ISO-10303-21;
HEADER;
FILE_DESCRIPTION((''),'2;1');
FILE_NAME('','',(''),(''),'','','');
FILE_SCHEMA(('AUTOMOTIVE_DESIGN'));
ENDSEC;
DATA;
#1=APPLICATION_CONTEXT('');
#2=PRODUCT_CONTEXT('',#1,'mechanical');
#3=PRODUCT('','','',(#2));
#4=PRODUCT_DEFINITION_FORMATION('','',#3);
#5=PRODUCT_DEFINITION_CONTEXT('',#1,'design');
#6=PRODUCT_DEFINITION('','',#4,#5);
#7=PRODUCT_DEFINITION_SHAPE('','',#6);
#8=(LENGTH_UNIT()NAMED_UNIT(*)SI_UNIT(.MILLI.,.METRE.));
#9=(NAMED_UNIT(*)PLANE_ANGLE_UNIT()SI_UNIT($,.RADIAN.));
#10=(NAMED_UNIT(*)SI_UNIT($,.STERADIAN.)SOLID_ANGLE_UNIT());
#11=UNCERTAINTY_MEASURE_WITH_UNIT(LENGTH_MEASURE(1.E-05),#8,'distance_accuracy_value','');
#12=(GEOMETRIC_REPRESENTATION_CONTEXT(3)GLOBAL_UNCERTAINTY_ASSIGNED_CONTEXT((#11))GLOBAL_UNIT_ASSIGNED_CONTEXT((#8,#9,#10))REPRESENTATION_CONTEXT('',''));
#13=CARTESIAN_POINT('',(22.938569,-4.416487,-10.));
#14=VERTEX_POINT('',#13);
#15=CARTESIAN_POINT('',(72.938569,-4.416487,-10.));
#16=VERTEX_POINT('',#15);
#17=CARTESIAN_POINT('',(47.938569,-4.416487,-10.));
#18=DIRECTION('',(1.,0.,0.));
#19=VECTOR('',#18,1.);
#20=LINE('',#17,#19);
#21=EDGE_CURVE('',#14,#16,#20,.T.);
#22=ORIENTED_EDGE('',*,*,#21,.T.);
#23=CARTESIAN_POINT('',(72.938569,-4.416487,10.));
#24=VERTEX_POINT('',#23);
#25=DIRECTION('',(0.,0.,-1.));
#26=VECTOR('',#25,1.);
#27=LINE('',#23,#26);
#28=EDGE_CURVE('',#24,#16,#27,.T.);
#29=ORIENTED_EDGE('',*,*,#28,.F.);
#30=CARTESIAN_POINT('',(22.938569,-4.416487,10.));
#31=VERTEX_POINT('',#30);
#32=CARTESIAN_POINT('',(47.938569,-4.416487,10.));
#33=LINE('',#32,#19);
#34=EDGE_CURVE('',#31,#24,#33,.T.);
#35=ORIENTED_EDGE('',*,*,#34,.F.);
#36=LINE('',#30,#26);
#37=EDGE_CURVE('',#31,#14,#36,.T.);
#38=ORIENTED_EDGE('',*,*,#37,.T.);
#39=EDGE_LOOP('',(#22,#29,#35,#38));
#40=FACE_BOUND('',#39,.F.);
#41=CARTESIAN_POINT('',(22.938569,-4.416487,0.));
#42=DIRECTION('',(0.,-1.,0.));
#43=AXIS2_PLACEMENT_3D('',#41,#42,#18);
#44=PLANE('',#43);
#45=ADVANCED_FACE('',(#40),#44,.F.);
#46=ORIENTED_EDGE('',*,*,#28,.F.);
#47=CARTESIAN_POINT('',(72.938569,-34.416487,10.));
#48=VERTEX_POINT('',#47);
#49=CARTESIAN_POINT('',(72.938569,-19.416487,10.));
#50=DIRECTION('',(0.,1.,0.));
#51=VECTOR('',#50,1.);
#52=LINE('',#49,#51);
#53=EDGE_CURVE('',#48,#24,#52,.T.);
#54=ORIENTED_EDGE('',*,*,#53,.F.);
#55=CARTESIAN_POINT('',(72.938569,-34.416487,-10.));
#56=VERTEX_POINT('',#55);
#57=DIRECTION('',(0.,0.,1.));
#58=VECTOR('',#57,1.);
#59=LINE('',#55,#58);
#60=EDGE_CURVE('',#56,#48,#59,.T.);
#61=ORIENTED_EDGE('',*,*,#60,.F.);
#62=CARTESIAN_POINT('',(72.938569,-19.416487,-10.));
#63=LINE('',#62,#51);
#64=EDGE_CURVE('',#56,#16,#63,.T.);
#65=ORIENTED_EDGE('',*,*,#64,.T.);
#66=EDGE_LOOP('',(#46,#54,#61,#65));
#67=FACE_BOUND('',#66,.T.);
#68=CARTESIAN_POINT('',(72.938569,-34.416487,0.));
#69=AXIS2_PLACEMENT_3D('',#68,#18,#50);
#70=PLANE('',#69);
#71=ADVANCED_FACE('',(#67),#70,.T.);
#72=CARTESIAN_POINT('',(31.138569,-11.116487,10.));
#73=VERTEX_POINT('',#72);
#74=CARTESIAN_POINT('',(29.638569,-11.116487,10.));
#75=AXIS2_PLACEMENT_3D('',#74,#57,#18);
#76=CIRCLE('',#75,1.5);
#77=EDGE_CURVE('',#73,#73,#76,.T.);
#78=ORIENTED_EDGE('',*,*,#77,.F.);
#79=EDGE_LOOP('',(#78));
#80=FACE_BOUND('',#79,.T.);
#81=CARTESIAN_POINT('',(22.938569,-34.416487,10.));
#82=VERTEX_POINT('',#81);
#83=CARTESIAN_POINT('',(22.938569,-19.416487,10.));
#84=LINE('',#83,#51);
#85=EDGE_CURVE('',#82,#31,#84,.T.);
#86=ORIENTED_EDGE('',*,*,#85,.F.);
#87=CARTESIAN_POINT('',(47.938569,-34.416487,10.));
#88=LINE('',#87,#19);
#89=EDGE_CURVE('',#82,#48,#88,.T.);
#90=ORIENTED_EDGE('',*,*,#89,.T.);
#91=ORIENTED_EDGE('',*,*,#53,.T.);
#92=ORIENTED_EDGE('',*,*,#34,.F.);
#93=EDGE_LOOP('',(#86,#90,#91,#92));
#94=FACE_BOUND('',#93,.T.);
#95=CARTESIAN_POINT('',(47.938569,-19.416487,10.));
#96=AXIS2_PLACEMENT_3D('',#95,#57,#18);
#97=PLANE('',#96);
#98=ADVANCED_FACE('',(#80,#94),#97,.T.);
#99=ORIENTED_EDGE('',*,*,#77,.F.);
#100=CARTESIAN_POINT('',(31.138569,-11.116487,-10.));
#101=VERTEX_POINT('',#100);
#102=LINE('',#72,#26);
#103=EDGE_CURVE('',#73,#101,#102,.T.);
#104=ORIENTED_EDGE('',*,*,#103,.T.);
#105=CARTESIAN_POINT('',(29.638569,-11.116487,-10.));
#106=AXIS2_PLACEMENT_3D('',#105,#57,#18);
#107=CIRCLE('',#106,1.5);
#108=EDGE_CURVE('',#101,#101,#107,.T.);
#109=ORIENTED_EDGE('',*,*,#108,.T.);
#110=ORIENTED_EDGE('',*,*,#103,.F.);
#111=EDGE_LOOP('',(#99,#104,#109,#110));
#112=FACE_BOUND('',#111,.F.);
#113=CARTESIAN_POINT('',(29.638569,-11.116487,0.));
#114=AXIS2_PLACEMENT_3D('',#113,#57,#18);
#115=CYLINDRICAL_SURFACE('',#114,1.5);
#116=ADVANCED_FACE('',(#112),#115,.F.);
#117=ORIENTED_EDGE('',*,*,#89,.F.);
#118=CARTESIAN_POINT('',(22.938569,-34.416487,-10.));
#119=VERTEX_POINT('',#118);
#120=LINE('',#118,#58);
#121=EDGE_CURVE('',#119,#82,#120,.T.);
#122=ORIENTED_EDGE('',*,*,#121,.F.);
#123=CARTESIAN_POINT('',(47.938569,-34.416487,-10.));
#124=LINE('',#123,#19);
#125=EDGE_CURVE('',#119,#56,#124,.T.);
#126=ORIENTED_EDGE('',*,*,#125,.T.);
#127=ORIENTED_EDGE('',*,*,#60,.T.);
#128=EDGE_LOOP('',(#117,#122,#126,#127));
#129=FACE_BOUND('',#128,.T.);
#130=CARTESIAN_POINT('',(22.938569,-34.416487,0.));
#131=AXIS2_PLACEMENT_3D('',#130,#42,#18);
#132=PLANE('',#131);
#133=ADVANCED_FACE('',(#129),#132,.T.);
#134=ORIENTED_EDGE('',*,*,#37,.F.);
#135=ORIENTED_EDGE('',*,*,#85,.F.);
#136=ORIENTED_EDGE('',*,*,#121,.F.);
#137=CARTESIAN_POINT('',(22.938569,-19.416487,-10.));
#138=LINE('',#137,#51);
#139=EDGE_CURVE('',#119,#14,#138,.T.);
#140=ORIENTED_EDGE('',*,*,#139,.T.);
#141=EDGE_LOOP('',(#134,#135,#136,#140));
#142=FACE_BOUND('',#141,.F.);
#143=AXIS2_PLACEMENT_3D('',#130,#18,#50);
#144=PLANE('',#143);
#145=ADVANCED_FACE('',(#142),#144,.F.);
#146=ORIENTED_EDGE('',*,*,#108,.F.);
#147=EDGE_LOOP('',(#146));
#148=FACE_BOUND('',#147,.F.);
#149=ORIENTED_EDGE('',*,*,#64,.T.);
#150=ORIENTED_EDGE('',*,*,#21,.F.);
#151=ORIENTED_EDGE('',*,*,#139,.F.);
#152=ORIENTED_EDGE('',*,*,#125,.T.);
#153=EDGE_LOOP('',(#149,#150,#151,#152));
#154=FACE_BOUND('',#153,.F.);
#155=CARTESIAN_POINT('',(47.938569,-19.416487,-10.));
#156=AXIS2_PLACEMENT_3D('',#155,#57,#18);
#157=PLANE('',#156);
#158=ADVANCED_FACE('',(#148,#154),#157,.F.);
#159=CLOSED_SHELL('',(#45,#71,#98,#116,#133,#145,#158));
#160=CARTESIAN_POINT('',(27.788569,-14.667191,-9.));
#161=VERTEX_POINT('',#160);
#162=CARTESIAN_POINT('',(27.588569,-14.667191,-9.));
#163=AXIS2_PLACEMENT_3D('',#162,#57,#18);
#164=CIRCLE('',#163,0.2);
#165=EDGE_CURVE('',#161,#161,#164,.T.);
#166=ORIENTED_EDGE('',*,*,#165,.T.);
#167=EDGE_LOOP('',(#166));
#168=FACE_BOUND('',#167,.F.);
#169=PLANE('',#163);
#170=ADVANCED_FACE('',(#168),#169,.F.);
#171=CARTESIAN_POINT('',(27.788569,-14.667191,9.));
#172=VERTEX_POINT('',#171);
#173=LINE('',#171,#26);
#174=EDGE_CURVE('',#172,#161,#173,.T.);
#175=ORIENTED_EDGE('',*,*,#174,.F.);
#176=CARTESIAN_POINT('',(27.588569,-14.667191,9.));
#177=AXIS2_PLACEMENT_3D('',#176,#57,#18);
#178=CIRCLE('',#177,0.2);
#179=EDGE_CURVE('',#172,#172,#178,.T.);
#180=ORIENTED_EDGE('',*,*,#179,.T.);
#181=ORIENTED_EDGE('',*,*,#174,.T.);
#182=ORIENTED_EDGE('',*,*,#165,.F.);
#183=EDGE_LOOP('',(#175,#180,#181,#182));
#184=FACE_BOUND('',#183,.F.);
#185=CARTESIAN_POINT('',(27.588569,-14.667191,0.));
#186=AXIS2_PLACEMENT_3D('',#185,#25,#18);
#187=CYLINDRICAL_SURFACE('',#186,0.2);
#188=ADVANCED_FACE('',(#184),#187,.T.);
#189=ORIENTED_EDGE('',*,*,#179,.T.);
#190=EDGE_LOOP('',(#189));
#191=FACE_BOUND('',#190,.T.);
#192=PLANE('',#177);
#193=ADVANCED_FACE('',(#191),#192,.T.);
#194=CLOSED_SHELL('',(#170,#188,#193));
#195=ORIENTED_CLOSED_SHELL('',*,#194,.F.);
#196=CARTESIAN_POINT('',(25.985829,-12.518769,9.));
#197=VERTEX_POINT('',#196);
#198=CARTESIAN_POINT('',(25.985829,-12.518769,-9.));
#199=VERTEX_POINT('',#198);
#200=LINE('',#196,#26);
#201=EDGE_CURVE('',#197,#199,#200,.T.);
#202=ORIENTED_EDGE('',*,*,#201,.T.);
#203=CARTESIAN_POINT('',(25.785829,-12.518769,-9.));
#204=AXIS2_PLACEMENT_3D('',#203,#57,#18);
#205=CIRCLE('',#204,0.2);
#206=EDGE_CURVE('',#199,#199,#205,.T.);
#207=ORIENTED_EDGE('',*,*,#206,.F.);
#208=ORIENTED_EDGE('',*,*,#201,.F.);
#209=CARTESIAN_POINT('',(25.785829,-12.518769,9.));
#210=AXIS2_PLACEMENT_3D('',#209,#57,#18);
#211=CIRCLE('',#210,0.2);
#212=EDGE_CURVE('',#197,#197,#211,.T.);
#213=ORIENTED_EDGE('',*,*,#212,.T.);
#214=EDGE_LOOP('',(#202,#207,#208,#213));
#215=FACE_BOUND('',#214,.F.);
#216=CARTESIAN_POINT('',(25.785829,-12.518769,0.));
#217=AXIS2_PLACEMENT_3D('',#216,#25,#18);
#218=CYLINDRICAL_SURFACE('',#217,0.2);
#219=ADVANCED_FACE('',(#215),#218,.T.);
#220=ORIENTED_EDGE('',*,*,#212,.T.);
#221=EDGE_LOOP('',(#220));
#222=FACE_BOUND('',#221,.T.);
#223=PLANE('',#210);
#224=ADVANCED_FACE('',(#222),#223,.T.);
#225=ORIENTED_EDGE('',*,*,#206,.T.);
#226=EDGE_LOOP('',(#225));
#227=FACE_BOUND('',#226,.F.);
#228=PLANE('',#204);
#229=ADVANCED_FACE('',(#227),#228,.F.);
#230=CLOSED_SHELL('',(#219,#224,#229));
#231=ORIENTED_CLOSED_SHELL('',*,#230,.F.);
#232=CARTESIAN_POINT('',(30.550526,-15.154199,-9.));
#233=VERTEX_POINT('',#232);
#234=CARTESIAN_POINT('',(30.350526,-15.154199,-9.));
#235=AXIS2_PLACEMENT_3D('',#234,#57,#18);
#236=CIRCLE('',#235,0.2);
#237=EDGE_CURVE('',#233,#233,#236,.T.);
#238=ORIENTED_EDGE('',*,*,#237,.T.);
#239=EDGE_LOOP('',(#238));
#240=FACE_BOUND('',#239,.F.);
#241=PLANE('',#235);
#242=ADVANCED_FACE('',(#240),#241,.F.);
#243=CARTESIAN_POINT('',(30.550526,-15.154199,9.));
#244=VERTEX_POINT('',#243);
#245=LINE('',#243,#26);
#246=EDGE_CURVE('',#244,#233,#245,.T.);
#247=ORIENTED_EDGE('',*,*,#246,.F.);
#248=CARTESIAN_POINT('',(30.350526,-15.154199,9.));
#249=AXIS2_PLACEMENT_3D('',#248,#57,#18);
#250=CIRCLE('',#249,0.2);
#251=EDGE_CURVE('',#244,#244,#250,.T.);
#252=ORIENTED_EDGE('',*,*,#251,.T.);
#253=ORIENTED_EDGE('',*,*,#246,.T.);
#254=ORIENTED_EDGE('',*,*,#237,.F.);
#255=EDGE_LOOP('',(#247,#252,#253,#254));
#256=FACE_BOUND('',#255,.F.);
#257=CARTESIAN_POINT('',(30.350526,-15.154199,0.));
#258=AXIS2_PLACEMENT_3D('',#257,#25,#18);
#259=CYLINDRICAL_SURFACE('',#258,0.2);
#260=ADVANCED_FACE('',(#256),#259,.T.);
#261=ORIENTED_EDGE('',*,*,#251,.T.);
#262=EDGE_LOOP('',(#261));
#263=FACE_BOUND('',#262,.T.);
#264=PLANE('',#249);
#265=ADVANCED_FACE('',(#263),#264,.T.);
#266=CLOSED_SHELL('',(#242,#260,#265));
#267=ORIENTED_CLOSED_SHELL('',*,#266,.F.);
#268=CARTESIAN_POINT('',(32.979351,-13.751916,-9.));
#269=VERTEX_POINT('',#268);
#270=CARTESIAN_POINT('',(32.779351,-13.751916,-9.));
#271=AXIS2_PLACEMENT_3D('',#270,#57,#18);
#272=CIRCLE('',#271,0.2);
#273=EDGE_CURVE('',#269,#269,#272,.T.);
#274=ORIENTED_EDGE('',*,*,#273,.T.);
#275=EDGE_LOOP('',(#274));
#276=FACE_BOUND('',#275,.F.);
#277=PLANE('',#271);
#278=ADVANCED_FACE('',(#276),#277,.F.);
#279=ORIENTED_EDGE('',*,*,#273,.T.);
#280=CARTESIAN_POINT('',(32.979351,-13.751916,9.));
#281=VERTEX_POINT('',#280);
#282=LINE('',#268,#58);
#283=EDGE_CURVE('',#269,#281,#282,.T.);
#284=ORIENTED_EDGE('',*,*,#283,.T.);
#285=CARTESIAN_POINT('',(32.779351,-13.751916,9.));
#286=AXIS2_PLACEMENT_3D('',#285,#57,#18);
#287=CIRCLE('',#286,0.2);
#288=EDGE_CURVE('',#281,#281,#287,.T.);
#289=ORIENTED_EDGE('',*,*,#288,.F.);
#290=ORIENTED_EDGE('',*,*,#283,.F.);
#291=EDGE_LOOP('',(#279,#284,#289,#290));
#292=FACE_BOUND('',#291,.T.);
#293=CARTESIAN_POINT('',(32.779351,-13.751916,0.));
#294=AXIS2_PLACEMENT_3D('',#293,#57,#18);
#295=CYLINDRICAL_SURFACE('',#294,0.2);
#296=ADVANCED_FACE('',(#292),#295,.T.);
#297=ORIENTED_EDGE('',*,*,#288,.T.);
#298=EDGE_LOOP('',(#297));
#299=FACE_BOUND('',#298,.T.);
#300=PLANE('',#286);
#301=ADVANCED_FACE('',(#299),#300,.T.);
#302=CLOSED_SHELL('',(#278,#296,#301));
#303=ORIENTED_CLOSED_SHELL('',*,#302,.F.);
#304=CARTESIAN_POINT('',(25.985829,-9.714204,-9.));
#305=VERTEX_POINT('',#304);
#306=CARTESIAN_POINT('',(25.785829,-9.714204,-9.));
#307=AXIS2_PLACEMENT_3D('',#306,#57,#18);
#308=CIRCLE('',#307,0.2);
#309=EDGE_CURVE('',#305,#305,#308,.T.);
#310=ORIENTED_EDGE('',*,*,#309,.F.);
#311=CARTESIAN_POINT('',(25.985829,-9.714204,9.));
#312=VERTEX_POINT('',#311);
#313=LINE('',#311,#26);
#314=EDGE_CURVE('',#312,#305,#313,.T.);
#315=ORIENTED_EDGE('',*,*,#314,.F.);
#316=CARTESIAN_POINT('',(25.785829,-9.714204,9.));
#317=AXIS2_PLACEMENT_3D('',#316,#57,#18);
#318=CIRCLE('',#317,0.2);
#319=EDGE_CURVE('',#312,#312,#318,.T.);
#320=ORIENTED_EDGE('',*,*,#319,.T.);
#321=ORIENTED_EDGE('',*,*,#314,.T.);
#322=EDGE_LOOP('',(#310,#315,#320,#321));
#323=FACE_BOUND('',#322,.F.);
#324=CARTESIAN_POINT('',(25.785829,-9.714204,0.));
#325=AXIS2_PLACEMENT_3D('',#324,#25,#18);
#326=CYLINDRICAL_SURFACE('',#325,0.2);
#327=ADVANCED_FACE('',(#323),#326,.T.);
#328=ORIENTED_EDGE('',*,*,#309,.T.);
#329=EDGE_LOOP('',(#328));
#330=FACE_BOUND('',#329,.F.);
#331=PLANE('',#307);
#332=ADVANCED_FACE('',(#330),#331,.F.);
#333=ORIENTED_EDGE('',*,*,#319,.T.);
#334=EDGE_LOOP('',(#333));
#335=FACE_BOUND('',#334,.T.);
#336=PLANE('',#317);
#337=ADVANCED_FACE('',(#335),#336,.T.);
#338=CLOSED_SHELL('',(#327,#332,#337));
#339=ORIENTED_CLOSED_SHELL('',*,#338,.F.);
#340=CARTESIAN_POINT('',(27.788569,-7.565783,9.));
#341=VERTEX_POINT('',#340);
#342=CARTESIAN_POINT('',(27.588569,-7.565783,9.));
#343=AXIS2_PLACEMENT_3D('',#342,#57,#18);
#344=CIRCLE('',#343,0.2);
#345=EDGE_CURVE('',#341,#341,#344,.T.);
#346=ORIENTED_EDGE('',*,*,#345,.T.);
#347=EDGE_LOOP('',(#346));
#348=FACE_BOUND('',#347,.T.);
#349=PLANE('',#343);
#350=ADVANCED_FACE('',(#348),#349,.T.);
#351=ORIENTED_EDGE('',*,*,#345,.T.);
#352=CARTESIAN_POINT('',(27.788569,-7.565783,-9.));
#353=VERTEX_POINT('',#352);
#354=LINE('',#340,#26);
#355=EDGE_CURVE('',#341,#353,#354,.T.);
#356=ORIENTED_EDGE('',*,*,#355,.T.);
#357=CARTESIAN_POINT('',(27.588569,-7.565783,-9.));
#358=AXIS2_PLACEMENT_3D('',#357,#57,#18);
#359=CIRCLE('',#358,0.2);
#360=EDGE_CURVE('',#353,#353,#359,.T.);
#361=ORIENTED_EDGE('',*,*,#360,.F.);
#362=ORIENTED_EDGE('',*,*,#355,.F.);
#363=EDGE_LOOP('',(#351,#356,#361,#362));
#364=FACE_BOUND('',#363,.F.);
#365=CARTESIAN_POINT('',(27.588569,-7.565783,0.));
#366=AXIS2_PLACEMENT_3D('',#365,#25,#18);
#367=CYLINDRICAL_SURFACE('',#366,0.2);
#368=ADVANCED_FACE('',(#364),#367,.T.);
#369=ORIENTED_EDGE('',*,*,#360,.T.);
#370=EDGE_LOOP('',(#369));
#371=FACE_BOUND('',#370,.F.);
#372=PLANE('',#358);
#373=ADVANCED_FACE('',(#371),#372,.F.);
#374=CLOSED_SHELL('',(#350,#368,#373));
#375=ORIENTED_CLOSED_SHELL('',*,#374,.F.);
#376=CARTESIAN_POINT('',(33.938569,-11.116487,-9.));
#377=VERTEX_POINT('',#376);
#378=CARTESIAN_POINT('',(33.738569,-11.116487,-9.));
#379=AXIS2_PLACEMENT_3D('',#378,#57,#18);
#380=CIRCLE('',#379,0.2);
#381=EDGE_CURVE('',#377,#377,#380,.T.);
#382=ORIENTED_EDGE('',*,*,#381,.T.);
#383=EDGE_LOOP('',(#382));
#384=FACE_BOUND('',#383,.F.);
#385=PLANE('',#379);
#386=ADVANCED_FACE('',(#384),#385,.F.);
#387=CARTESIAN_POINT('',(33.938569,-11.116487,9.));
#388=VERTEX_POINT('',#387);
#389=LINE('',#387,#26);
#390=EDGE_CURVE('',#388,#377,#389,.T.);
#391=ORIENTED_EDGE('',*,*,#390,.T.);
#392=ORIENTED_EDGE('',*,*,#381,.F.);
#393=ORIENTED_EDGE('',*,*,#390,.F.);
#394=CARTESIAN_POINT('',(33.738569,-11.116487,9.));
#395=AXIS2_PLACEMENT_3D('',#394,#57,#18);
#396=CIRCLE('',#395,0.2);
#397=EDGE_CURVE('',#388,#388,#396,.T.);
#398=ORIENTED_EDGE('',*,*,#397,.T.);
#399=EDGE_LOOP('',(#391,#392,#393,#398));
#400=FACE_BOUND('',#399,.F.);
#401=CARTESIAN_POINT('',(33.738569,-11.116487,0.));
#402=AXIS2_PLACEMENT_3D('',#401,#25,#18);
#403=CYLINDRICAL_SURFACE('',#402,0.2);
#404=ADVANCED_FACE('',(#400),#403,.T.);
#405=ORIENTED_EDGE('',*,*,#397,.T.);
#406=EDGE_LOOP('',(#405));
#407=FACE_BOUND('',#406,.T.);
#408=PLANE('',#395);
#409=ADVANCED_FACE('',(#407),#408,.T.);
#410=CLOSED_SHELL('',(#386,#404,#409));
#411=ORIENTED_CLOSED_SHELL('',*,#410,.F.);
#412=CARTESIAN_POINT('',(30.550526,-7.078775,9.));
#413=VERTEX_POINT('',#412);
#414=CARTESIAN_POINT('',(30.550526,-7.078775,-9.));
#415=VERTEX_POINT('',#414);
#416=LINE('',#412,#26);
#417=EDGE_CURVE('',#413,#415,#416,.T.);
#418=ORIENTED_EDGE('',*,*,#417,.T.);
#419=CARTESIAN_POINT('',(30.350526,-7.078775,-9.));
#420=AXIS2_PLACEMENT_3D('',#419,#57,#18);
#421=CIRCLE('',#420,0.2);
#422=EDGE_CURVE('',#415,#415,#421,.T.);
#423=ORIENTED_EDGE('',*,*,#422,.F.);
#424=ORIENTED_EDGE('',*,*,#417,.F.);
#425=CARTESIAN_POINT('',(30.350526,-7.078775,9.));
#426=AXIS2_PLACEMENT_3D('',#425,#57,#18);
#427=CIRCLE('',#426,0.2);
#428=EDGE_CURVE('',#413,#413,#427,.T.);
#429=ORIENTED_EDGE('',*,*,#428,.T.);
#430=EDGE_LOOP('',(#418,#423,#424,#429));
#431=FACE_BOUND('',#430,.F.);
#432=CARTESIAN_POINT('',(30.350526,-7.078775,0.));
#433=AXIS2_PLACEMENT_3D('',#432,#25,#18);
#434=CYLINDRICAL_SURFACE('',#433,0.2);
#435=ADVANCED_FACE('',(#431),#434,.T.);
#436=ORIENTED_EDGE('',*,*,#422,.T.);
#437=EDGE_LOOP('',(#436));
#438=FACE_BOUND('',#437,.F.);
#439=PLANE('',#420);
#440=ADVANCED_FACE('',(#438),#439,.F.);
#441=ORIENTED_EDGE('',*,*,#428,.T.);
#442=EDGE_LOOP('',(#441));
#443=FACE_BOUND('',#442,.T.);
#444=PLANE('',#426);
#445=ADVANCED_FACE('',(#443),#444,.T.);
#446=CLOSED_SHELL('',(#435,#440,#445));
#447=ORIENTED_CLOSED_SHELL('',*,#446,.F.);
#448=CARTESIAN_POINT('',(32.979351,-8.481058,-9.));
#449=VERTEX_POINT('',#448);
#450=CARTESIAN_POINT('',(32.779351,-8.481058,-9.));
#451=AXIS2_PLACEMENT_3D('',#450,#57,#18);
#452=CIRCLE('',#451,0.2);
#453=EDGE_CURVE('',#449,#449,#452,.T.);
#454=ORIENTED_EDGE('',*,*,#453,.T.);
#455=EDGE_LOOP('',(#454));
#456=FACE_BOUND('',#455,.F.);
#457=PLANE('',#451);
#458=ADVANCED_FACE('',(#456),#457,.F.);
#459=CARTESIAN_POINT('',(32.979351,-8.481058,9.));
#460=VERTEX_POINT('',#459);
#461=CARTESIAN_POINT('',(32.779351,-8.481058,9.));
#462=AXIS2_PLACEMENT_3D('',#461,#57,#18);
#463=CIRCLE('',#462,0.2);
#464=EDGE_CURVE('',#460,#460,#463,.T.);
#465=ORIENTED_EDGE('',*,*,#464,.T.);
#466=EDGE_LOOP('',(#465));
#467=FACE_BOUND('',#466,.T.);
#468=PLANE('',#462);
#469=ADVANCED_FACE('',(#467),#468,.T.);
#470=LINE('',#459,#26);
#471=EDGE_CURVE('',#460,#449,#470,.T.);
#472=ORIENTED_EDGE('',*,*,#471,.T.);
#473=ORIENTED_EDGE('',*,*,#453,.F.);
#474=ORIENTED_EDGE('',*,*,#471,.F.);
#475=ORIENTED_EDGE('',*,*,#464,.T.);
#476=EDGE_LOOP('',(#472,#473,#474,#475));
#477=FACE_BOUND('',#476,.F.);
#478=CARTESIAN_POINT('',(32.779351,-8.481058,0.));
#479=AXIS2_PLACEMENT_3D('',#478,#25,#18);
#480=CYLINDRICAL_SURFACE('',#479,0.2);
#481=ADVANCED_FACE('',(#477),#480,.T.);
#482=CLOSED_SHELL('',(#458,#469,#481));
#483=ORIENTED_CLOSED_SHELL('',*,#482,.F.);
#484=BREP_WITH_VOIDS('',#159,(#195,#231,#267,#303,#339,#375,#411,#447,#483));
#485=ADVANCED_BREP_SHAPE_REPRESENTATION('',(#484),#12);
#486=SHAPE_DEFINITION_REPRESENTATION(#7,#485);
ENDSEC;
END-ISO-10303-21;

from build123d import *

# Parameters (mm, degrees)
F0_W     = 50
F0_H     = 30
F1_DEPTH = 10
F2_R     = 1.5
F2_R_2   = 0.2
F3_DEPTH = 9
F4_DEPTH = 12.5


with BuildPart() as f1:
    # F0 (on Top) → F1 (new body, symmetric)
    with BuildSketch(Plane.XY):
        with Locations((47.9385685176, -19.4164868116)):
            Rectangle(F0_W, F0_H)
    extrude(amount=F1_DEPTH, both=True)

    # F2 (on Top) → F3 (cut, symmetric)
    with BuildSketch(Plane.XY):
        with Locations((29.6385685176, -11.1164868116)):
            Circle(F2_R)
        with Locations((33.7385685176, -11.1164868116)):
            Circle(F2_R_2)
        with Locations((32.7793507344, -8.4810576119)):
            Circle(F2_R_2)
        with Locations((30.350526046, -7.0787750243)):
            Circle(F2_R_2)
        with Locations((27.5885685176, -7.5657826561)):
            Circle(F2_R_2)
        with Locations((25.7858287723, -9.714204224)):
            Circle(F2_R_2)
        with Locations((25.7858287723, -12.5187693993)):
            Circle(F2_R_2)
        with Locations((27.5885685176, -14.6671909672)):
            Circle(F2_R_2)
        with Locations((30.350526046, -15.154198599)):
            Circle(F2_R_2)
        with Locations((32.7793507344, -13.7519160114)):
            Circle(F2_R_2)
    extrude(amount=F3_DEPTH, both=True, mode=Mode.SUBTRACT)

    # F2 (on Top) → F4 (cut, symmetric)
    with BuildSketch(Plane.XY):
        with Locations((29.6385685176, -11.1164868116)):
            Circle(F2_R)
    extrude(amount=F4_DEPTH, both=True, mode=Mode.SUBTRACT)


solid = f1.part
